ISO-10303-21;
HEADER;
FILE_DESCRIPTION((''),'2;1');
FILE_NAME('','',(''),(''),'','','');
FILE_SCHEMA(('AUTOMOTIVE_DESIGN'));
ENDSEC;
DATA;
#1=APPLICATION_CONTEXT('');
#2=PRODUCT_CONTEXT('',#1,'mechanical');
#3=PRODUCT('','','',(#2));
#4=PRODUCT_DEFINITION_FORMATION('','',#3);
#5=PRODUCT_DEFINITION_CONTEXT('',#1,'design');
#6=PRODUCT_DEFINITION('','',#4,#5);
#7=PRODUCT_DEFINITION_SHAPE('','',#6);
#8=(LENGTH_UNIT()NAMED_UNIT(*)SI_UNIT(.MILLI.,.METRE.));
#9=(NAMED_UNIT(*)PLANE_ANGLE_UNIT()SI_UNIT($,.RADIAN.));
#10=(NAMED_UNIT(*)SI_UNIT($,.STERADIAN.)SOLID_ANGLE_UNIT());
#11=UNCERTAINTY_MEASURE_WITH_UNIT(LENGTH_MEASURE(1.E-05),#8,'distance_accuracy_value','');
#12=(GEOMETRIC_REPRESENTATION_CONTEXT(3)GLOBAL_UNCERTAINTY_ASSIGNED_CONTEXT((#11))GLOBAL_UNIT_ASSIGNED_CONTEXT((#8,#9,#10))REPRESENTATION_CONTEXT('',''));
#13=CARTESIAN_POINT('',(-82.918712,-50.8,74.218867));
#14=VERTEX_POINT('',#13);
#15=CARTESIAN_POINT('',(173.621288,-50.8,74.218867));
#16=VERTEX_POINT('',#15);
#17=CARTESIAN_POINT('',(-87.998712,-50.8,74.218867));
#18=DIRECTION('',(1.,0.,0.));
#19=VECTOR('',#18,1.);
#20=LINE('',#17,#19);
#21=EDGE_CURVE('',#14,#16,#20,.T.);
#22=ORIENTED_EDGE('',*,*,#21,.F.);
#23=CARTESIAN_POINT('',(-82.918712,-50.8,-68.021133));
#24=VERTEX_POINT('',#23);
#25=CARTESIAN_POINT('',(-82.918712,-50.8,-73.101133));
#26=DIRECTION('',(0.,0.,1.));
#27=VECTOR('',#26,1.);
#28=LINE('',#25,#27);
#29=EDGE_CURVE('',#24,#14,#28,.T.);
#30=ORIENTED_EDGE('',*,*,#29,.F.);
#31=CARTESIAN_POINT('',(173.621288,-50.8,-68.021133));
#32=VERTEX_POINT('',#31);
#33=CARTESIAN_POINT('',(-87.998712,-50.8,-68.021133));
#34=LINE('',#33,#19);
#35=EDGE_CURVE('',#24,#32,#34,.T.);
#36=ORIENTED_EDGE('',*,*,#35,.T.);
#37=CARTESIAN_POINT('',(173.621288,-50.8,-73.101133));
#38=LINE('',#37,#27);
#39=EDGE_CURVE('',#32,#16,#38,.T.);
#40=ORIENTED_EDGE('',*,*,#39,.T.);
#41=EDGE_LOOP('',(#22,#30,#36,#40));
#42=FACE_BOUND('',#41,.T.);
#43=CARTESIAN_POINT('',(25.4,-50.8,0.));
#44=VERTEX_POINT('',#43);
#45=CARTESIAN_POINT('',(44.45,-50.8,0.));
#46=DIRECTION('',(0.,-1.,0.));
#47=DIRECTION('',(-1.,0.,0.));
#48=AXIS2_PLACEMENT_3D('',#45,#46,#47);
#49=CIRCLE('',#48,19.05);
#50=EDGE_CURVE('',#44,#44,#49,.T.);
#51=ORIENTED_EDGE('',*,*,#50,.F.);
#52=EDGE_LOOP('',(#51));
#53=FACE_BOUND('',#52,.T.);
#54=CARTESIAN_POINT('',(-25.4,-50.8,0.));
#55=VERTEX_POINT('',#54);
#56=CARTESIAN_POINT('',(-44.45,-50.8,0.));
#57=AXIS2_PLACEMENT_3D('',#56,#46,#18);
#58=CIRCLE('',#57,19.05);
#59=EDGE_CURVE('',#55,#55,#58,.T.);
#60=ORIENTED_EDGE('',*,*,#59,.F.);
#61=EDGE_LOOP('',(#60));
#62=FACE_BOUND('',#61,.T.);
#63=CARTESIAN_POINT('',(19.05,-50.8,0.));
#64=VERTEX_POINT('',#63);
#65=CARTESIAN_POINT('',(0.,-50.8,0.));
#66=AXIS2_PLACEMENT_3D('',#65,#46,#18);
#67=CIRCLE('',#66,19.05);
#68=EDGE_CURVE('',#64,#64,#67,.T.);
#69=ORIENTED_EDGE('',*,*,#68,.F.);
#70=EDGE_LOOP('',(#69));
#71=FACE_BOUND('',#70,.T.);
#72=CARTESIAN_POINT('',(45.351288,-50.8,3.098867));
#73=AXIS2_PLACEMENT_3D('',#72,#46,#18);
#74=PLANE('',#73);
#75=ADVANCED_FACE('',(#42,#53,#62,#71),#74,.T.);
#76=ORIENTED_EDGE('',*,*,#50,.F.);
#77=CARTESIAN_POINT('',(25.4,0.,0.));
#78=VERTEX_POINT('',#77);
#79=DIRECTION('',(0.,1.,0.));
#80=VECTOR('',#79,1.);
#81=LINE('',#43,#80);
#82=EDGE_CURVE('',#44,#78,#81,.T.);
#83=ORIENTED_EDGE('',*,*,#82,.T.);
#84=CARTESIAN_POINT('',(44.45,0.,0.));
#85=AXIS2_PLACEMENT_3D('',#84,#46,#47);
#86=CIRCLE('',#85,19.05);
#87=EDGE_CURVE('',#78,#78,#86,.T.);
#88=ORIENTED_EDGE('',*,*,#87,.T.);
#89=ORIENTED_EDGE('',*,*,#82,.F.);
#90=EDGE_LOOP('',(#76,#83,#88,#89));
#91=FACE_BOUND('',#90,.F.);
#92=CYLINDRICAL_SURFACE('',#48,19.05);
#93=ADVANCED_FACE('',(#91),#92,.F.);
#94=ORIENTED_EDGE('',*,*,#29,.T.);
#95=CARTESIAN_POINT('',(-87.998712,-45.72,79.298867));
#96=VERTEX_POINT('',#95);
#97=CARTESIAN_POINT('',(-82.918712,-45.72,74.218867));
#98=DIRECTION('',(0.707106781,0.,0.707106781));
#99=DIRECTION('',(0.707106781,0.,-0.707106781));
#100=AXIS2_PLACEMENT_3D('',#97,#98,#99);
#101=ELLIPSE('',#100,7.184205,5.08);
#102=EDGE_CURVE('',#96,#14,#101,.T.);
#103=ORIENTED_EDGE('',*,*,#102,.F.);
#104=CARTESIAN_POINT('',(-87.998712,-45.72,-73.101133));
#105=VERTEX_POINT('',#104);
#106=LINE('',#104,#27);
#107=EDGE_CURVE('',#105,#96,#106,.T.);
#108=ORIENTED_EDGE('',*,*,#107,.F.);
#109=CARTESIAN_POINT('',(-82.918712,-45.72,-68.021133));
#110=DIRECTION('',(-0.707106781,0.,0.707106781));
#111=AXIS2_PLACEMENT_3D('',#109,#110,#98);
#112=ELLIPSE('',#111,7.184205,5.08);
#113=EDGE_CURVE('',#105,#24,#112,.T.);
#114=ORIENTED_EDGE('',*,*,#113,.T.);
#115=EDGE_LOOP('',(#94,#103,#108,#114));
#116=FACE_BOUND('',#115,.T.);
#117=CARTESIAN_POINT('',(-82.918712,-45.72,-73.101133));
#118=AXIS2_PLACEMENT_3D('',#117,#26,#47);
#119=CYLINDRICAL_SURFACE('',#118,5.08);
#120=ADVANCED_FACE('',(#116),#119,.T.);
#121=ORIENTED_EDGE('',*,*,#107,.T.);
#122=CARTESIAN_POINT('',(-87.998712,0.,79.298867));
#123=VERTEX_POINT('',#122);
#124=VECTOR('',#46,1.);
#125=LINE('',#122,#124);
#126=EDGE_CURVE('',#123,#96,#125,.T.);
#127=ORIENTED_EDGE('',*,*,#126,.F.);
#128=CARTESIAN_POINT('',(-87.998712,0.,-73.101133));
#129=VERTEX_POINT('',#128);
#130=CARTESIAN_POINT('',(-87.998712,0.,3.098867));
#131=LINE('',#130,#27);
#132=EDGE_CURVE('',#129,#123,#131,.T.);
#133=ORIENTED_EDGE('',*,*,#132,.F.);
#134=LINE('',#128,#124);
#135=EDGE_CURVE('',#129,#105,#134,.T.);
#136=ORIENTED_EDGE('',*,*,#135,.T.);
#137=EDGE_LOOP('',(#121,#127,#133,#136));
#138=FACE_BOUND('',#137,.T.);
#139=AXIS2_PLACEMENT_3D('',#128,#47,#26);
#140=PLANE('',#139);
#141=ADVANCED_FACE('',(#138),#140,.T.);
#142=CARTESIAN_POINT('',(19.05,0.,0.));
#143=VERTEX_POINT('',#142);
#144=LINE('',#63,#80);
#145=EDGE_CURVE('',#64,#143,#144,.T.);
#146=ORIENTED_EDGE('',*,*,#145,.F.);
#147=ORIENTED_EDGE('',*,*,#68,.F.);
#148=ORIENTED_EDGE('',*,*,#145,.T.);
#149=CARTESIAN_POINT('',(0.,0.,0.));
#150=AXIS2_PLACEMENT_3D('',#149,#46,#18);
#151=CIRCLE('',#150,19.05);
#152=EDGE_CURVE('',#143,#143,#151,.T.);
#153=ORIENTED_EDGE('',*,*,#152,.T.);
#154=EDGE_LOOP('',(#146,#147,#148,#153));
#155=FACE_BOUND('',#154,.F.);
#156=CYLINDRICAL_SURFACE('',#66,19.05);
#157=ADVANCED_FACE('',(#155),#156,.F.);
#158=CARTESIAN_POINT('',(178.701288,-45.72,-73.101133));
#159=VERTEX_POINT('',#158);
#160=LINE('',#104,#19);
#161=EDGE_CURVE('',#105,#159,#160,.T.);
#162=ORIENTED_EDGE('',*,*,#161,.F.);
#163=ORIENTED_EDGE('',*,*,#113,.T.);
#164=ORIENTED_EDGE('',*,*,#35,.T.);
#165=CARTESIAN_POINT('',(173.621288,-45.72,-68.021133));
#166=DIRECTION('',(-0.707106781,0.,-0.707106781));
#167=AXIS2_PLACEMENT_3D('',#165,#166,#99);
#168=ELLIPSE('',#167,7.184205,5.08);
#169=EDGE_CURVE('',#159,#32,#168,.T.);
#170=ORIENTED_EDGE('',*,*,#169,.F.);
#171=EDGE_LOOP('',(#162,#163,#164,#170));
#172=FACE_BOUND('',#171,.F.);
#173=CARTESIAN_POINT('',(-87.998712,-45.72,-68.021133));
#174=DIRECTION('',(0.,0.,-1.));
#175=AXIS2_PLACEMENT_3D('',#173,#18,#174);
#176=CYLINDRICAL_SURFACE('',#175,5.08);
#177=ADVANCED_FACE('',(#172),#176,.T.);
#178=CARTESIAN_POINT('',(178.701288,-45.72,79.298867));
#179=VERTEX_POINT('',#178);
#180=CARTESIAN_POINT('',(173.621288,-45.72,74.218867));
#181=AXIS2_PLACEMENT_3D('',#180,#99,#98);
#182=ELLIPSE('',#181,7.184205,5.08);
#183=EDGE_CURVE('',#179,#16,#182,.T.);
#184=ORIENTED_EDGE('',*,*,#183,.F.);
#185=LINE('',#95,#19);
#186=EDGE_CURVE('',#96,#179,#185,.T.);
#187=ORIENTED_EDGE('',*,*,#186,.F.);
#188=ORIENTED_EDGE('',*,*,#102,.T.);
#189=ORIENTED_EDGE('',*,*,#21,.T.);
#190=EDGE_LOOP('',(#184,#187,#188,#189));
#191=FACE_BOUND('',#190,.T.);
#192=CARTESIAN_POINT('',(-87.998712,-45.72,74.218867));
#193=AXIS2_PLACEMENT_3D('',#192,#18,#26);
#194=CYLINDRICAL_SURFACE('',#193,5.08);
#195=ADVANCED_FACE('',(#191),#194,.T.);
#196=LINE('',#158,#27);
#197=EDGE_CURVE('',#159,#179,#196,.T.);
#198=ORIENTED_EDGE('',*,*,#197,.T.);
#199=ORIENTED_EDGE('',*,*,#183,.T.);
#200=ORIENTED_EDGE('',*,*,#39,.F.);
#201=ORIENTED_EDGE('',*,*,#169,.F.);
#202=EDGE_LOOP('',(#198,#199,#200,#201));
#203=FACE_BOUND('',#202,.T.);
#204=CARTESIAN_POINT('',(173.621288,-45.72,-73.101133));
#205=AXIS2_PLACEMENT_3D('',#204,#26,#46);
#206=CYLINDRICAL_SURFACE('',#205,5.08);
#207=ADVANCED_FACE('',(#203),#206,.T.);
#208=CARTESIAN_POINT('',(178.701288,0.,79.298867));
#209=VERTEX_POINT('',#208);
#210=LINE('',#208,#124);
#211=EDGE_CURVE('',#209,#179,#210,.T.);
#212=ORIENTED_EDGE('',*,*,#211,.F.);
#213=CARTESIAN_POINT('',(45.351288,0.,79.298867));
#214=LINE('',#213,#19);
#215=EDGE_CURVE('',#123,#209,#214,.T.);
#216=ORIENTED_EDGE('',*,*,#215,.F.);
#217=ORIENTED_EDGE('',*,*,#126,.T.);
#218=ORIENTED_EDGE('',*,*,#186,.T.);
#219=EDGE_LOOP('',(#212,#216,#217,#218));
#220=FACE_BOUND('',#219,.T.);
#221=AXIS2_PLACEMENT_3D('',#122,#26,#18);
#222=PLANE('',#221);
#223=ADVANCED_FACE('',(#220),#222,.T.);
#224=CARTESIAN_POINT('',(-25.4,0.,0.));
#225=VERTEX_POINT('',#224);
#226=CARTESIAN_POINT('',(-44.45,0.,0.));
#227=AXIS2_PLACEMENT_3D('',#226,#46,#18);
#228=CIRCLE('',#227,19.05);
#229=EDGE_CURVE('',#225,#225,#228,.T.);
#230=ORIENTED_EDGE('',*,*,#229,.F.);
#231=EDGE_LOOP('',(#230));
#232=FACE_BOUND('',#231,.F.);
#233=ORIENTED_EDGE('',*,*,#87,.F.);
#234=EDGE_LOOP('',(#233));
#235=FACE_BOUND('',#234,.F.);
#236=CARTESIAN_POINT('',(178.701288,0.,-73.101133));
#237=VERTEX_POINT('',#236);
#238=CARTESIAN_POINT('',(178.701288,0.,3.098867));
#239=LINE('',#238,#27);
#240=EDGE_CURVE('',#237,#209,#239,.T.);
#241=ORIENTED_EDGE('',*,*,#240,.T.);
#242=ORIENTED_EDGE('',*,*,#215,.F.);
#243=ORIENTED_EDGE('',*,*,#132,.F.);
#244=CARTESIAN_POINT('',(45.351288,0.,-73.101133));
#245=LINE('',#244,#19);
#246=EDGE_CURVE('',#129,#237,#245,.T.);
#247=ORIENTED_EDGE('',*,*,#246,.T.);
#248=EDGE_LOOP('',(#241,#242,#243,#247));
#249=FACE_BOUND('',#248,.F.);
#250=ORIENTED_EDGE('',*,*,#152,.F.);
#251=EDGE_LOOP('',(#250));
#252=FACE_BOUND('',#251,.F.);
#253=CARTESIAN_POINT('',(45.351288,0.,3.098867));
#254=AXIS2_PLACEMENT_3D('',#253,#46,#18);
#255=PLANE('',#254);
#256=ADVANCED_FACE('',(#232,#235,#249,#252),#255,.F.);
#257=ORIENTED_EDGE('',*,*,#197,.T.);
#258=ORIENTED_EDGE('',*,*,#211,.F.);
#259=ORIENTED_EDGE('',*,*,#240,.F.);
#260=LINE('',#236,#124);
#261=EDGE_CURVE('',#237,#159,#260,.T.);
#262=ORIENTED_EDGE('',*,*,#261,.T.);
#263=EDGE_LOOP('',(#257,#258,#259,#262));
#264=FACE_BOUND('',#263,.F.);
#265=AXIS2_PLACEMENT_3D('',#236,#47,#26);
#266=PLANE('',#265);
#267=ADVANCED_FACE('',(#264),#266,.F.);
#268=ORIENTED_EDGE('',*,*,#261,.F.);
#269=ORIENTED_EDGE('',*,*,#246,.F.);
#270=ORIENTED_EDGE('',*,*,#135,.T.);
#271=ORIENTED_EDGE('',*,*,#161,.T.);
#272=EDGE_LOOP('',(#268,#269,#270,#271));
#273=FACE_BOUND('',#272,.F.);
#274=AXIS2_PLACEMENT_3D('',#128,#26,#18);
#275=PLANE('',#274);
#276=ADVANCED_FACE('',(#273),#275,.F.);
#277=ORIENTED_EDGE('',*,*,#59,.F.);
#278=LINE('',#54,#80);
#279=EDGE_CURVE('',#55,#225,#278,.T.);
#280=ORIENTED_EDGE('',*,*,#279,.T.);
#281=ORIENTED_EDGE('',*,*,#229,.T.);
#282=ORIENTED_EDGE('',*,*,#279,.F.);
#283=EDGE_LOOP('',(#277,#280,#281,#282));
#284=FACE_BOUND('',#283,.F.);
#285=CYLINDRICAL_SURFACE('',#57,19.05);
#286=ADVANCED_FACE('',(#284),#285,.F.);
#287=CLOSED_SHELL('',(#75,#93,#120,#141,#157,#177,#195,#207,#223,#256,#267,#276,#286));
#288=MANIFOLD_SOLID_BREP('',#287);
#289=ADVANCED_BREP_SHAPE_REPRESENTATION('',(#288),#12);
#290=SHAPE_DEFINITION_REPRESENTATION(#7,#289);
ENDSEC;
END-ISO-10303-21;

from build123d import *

# Parameters (mm, degrees)
F0_W     = 266.7
F0_H     = 152.4
F1_DEPTH = 50.8
F2_R     = 19.05
F3_DEPTH = 50.8
F4_R     = 5.08


with BuildPart() as f1:
    # F0 (on Front) → F1 (new body)
    with BuildSketch(Plane.XZ):
        with Locations((45.351288, 3.098867)):
            Rectangle(F0_W, F0_H)
    extrude(amount=F1_DEPTH)

    # F2 (on face) → F3 (cut)
    with BuildSketch(Plane.XZ.offset(50.8)):
        with BuildLine():
            ThreePointArc((-19.05, 0), (0, -19.05), (19.05, 0))
            ThreePointArc((19.05, 0), (0, 19.05), (-19.05, 0))
        make_face()
        with Locations((-44.45, 0)):
            Circle(F2_R)
        with BuildLine():
            ThreePointArc((63.5, 0), (44.45, 19.05), (25.4, 0))
            ThreePointArc((25.4, 0), (44.45, -19.05), (63.5, 0))
        make_face()
    extrude(amount=-F3_DEPTH, mode=Mode.SUBTRACT)

    # F4
    f4_edges = [f1.edges().sort_by_distance(p)[0] for p in [
        (45.351288, -50.8, 79.298867),
        (-87.998712, -50.8, 3.098867),
        (45.351288, -50.8, -73.101133),
        (178.701288, -50.8, 3.098867),
    ]]
    fillet(f4_edges, radius=F4_R)


solid = f1.part
